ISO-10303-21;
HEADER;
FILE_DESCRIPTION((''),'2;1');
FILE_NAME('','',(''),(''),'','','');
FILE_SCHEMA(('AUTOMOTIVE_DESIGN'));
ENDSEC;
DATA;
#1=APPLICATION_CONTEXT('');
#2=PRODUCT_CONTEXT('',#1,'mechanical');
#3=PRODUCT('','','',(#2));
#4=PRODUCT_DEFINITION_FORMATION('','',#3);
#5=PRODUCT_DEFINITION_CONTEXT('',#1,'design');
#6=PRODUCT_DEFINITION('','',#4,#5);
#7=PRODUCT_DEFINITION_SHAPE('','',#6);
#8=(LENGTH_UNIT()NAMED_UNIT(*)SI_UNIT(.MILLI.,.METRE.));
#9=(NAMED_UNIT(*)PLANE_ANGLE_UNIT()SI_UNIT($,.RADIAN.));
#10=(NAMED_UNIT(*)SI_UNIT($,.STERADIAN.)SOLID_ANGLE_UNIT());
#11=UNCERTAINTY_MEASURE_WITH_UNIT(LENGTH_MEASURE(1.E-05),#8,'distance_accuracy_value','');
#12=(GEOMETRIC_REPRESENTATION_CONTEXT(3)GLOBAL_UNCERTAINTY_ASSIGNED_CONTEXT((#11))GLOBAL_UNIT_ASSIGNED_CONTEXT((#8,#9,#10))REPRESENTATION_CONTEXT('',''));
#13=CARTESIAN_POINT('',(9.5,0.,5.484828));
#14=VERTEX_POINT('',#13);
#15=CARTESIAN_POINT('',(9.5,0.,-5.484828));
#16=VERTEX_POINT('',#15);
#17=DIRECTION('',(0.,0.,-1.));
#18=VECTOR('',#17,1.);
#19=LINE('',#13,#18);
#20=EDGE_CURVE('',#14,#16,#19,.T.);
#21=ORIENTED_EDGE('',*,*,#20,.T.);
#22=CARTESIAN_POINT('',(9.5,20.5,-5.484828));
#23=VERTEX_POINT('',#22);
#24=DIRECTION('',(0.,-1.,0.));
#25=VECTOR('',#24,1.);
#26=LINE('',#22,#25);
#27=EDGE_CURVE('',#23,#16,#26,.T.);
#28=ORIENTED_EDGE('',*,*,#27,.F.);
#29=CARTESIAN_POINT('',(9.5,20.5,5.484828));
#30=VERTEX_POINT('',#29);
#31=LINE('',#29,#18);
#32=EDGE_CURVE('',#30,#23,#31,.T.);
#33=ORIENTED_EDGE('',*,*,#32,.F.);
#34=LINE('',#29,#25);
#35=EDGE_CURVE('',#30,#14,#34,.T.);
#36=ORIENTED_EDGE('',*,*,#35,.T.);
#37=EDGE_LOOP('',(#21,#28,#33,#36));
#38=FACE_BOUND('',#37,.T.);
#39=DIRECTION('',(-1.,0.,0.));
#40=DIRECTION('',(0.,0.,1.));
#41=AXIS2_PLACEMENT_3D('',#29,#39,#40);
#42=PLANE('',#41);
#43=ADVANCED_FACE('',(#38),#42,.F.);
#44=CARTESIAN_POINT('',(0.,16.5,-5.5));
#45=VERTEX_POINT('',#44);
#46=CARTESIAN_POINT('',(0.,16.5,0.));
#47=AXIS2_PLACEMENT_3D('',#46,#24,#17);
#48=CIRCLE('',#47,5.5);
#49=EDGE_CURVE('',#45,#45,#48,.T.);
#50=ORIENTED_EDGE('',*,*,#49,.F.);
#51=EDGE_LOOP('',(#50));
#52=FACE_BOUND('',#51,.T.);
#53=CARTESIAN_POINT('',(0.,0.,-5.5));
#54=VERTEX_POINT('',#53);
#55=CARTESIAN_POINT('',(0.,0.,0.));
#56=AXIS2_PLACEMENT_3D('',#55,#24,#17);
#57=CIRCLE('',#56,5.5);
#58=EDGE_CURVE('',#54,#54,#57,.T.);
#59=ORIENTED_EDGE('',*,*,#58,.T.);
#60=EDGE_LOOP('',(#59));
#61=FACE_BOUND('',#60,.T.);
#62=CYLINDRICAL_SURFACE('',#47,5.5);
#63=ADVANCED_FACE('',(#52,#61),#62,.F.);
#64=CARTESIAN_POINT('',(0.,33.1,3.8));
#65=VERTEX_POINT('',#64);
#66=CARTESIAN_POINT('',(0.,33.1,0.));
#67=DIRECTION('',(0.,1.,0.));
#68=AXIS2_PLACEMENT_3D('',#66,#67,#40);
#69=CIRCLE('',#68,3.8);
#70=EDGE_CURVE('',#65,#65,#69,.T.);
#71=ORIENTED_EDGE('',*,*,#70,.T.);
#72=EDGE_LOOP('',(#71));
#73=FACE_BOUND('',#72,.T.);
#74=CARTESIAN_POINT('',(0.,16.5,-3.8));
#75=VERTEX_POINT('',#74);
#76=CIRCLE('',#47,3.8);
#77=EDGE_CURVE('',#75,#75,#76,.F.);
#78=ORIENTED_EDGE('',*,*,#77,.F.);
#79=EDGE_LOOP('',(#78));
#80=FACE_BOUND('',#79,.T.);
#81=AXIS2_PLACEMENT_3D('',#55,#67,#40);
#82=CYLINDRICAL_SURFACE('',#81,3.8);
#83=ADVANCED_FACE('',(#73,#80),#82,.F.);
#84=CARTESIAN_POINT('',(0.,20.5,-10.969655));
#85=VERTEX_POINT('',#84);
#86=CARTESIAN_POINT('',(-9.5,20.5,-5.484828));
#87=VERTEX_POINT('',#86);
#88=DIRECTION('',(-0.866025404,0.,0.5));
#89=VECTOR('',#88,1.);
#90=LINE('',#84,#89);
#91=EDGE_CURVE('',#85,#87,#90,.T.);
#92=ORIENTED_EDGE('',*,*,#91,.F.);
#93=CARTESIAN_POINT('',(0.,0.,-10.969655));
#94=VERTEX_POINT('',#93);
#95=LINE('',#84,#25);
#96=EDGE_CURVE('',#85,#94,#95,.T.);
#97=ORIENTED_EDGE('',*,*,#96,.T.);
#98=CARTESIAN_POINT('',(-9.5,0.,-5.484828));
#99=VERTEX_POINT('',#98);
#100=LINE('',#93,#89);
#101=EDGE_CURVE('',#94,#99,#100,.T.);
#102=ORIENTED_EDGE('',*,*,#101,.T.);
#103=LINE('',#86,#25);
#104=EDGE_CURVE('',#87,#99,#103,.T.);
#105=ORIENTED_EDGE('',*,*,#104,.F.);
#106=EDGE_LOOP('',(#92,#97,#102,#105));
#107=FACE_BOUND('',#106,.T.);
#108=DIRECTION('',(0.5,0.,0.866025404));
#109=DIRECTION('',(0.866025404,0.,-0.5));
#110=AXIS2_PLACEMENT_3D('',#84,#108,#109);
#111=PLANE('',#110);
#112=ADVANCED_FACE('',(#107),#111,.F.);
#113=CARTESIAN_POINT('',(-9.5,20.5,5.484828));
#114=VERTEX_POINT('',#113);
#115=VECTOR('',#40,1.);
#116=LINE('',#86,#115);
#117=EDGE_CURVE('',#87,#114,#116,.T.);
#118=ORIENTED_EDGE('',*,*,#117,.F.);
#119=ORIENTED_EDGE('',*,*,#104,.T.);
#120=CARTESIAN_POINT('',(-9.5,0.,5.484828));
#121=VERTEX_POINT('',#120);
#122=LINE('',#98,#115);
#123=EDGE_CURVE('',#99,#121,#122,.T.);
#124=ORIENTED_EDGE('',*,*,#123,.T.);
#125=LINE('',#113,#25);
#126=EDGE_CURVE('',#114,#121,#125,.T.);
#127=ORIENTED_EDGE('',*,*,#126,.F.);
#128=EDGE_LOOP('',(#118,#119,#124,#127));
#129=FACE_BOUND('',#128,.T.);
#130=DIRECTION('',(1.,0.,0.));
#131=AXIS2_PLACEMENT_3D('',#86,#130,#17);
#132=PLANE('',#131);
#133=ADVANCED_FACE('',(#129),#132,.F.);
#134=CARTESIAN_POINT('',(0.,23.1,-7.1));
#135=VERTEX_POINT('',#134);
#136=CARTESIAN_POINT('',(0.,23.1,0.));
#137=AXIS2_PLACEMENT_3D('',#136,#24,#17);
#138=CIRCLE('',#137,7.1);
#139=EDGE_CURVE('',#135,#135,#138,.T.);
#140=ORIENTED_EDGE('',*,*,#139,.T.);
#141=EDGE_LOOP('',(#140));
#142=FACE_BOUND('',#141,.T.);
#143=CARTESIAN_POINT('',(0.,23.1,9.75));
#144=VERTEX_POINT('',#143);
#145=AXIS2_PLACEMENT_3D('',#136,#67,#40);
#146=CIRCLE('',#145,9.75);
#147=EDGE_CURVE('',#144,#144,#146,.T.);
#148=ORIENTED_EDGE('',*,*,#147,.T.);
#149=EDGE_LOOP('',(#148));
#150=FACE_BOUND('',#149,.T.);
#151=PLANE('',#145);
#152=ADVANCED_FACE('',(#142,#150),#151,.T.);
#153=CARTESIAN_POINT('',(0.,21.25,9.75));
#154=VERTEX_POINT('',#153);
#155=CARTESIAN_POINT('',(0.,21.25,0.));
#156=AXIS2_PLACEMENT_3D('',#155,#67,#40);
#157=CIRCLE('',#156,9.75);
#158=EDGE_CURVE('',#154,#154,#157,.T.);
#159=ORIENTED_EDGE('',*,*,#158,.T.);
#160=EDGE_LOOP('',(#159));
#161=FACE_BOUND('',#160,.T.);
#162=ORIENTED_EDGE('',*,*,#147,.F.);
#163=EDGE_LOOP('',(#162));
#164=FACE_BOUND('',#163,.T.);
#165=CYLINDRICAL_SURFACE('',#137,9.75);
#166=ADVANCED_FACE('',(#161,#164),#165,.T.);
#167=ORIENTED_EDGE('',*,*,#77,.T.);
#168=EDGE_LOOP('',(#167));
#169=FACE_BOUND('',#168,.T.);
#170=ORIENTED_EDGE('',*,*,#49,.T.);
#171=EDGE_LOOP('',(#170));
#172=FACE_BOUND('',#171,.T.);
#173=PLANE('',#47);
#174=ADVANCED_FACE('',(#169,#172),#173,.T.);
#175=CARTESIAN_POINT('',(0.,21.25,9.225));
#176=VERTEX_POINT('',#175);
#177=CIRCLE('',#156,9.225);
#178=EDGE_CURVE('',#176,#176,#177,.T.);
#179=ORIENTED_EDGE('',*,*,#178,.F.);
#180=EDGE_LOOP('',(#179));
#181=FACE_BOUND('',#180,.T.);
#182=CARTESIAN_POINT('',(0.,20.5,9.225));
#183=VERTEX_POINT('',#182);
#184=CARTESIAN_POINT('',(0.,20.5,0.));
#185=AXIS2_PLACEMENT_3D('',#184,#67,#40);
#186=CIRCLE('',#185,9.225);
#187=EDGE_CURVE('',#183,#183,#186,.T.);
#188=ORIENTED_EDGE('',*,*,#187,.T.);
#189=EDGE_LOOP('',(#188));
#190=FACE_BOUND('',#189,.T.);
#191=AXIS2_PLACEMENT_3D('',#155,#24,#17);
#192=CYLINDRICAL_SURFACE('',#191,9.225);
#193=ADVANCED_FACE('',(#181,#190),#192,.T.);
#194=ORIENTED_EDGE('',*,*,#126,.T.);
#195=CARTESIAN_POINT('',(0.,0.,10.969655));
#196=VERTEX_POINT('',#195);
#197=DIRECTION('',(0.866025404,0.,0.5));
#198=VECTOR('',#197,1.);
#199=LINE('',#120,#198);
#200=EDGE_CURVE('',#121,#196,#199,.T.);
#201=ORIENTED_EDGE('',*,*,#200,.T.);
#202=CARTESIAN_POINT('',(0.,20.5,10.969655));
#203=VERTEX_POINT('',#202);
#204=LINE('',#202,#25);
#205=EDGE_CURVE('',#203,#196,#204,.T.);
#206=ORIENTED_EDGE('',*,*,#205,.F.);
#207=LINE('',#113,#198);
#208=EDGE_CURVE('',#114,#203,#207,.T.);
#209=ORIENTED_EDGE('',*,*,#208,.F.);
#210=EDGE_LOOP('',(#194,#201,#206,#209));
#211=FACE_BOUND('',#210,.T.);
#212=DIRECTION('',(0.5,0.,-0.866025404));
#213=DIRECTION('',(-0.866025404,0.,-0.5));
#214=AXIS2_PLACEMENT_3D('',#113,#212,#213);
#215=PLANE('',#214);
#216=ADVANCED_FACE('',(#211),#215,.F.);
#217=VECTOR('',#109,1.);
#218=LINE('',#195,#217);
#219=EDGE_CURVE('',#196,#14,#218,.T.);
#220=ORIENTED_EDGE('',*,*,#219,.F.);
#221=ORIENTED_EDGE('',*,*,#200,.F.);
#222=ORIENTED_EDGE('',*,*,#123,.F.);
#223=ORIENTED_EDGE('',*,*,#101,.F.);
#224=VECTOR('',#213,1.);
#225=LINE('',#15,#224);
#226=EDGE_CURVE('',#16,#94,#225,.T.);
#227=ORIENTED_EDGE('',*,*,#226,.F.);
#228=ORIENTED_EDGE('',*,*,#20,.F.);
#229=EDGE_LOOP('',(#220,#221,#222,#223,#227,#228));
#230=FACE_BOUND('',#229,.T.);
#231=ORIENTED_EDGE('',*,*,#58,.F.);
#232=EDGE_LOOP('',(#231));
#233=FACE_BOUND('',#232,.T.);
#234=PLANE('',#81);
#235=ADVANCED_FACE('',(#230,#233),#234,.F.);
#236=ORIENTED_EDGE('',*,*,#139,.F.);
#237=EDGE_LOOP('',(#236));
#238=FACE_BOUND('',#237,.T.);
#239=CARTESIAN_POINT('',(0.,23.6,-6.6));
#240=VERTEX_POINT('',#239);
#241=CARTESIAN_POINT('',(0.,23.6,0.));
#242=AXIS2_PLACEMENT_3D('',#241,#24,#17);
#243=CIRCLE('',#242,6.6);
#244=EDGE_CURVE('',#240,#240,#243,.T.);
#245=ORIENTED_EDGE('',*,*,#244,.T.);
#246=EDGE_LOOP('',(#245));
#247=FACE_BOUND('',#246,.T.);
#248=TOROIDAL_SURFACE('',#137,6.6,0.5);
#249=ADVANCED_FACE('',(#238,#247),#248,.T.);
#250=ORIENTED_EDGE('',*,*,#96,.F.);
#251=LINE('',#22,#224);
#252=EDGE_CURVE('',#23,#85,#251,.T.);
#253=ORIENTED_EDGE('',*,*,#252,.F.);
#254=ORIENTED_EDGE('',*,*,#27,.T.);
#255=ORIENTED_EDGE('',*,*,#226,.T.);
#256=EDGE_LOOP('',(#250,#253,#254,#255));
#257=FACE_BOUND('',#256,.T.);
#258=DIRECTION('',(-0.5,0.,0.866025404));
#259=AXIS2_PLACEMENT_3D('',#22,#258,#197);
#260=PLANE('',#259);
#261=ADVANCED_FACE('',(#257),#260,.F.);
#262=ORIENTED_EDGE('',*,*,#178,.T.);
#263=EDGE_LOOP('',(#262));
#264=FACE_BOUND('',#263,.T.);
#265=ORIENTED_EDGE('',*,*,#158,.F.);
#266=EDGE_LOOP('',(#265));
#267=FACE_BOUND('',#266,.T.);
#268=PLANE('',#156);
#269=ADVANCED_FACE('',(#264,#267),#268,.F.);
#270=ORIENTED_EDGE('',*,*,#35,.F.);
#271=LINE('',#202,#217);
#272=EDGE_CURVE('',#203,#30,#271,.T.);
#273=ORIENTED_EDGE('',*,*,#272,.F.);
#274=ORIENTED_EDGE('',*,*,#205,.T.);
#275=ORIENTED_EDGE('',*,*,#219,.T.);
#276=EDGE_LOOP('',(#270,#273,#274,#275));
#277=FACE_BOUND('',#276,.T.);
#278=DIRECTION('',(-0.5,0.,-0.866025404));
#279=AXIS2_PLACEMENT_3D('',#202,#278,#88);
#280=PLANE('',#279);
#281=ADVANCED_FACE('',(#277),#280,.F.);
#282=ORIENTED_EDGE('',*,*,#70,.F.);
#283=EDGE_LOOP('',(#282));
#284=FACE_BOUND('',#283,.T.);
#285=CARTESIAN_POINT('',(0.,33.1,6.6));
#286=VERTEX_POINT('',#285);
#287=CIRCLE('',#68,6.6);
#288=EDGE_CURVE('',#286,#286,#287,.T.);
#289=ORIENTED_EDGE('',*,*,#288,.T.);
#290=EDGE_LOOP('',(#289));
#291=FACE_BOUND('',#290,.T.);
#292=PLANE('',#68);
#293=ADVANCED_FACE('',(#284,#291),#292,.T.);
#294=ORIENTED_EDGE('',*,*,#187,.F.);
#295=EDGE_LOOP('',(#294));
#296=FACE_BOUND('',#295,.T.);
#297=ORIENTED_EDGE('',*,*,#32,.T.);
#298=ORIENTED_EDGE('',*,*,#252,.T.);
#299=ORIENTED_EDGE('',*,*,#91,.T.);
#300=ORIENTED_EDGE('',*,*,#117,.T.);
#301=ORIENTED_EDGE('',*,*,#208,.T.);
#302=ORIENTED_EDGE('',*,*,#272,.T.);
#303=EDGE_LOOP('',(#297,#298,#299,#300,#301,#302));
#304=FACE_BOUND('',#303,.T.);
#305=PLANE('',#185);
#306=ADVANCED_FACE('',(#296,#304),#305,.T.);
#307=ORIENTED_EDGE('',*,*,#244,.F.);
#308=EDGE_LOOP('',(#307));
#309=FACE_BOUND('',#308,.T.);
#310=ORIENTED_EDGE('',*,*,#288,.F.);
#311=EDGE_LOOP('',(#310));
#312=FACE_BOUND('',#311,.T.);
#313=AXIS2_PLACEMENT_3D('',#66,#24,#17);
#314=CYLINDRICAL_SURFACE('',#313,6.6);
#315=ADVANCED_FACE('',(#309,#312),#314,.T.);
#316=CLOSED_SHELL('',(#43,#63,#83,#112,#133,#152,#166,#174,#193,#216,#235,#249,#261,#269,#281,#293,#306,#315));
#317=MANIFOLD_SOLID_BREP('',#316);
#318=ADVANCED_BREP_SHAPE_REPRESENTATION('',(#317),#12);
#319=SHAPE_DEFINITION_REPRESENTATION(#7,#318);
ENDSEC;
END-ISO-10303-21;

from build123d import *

# Parameters (mm, degrees)
BOSS_EXTRUDE1_DEPTH = 20.5
SKETCH2_R           = 9.225
BOSS_EXTRUDE2_DEPTH = 0.75
SKETCH3_R           = 9.75
BOSS_EXTRUDE3_DEPTH = 1.85
SKETCH4_R           = 6.6
BOSS_EXTRUDE4_DEPTH = 10
SKETCH5_R           = 3.8
CUT_EXTRUDE1_DEPTH  = 37.207814534
SKETCH6_R           = 5.5
CUT_EXTRUDE2_DEPTH  = 16.5


with BuildPart() as part:
    # Sketch1 → Boss-Extrude1 (new body)
    with BuildSketch(Plane(origin=(0, 0, 0), x_dir=(1, 0, 0), z_dir=(0, 1, 0))):
        Polygon((-9.5, 5.484827557), (-9.5, -5.484827557), (0, -10.969655115), (9.5, -5.484827557), (9.5, 5.484827557), (0, 10.969655115), align=None)
    extrude(amount=BOSS_EXTRUDE1_DEPTH)

    # Sketch2 → Boss-Extrude2 (add)
    with BuildSketch(Plane(origin=(0, 20.5, 0), x_dir=(1, 0, 0), z_dir=(0, 1, 0))):
        with Locations(Location((0, 0, 0), (0, 0, 270))):
            Circle(SKETCH2_R)
    extrude(amount=BOSS_EXTRUDE2_DEPTH)

    # Sketch3 → Boss-Extrude3 (add)
    with BuildSketch(Plane(origin=(0, 21.25, 0), x_dir=(1, 0, 0), z_dir=(0, 1, 0))):
        with Locations(Location((0, 0, 0), (0, 0, 270))):
            Circle(SKETCH3_R)
    extrude(amount=BOSS_EXTRUDE3_DEPTH)

    # Sketch4 → Boss-Extrude4 (add)
    with BuildSketch(Plane(origin=(0, 23.1, 0), x_dir=(1, 0, 0), z_dir=(0, 1, 0))):
        with Locations(Location((0, 0, 0), (0, 0, 270))):
            Circle(SKETCH4_R)
    extrude(amount=BOSS_EXTRUDE4_DEPTH)

    # Sketch5 → Cut-Extrude1 (cut, through all)
    with BuildSketch(Plane(origin=(0, 33.1, 0), x_dir=(1, 0, 0), z_dir=(0, 1, 0))):
        with Locations(Location((0, 0, 0), (0, 0, 270))):
            Circle(SKETCH5_R)
    extrude(amount=-CUT_EXTRUDE1_DEPTH, mode=Mode.SUBTRACT)

    # Sketch6 → Cut-Extrude2 (cut)
    with BuildSketch(Plane.XZ):
        with Locations(Location((0, 0, 0), (0, 0, 270))):
            Circle(SKETCH6_R)
    extrude(amount=-CUT_EXTRUDE2_DEPTH, mode=Mode.SUBTRACT)

    # Sketch7 → Revolve1 (revolve)
    with BuildSketch(Plane.XY, mode=Mode.PRIVATE) as revolve1_sk:
        with BuildLine():
            Line((-6.6, 23.6), (-6.6, 23.1))
            Line((-6.6, 23.1), (-7.1, 23.1))
            ThreePointArc((-7.1, 23.1), (-6.953553391, 23.453553391), (-6.6, 23.6))
        make_face()
    revolve(revolve1_sk.sketch.rotate(Axis((0, 0, 0), (0, 1, 0)), 270), axis=Axis((0, 0, 0), (0, 1, 0)))


solid = part.part
